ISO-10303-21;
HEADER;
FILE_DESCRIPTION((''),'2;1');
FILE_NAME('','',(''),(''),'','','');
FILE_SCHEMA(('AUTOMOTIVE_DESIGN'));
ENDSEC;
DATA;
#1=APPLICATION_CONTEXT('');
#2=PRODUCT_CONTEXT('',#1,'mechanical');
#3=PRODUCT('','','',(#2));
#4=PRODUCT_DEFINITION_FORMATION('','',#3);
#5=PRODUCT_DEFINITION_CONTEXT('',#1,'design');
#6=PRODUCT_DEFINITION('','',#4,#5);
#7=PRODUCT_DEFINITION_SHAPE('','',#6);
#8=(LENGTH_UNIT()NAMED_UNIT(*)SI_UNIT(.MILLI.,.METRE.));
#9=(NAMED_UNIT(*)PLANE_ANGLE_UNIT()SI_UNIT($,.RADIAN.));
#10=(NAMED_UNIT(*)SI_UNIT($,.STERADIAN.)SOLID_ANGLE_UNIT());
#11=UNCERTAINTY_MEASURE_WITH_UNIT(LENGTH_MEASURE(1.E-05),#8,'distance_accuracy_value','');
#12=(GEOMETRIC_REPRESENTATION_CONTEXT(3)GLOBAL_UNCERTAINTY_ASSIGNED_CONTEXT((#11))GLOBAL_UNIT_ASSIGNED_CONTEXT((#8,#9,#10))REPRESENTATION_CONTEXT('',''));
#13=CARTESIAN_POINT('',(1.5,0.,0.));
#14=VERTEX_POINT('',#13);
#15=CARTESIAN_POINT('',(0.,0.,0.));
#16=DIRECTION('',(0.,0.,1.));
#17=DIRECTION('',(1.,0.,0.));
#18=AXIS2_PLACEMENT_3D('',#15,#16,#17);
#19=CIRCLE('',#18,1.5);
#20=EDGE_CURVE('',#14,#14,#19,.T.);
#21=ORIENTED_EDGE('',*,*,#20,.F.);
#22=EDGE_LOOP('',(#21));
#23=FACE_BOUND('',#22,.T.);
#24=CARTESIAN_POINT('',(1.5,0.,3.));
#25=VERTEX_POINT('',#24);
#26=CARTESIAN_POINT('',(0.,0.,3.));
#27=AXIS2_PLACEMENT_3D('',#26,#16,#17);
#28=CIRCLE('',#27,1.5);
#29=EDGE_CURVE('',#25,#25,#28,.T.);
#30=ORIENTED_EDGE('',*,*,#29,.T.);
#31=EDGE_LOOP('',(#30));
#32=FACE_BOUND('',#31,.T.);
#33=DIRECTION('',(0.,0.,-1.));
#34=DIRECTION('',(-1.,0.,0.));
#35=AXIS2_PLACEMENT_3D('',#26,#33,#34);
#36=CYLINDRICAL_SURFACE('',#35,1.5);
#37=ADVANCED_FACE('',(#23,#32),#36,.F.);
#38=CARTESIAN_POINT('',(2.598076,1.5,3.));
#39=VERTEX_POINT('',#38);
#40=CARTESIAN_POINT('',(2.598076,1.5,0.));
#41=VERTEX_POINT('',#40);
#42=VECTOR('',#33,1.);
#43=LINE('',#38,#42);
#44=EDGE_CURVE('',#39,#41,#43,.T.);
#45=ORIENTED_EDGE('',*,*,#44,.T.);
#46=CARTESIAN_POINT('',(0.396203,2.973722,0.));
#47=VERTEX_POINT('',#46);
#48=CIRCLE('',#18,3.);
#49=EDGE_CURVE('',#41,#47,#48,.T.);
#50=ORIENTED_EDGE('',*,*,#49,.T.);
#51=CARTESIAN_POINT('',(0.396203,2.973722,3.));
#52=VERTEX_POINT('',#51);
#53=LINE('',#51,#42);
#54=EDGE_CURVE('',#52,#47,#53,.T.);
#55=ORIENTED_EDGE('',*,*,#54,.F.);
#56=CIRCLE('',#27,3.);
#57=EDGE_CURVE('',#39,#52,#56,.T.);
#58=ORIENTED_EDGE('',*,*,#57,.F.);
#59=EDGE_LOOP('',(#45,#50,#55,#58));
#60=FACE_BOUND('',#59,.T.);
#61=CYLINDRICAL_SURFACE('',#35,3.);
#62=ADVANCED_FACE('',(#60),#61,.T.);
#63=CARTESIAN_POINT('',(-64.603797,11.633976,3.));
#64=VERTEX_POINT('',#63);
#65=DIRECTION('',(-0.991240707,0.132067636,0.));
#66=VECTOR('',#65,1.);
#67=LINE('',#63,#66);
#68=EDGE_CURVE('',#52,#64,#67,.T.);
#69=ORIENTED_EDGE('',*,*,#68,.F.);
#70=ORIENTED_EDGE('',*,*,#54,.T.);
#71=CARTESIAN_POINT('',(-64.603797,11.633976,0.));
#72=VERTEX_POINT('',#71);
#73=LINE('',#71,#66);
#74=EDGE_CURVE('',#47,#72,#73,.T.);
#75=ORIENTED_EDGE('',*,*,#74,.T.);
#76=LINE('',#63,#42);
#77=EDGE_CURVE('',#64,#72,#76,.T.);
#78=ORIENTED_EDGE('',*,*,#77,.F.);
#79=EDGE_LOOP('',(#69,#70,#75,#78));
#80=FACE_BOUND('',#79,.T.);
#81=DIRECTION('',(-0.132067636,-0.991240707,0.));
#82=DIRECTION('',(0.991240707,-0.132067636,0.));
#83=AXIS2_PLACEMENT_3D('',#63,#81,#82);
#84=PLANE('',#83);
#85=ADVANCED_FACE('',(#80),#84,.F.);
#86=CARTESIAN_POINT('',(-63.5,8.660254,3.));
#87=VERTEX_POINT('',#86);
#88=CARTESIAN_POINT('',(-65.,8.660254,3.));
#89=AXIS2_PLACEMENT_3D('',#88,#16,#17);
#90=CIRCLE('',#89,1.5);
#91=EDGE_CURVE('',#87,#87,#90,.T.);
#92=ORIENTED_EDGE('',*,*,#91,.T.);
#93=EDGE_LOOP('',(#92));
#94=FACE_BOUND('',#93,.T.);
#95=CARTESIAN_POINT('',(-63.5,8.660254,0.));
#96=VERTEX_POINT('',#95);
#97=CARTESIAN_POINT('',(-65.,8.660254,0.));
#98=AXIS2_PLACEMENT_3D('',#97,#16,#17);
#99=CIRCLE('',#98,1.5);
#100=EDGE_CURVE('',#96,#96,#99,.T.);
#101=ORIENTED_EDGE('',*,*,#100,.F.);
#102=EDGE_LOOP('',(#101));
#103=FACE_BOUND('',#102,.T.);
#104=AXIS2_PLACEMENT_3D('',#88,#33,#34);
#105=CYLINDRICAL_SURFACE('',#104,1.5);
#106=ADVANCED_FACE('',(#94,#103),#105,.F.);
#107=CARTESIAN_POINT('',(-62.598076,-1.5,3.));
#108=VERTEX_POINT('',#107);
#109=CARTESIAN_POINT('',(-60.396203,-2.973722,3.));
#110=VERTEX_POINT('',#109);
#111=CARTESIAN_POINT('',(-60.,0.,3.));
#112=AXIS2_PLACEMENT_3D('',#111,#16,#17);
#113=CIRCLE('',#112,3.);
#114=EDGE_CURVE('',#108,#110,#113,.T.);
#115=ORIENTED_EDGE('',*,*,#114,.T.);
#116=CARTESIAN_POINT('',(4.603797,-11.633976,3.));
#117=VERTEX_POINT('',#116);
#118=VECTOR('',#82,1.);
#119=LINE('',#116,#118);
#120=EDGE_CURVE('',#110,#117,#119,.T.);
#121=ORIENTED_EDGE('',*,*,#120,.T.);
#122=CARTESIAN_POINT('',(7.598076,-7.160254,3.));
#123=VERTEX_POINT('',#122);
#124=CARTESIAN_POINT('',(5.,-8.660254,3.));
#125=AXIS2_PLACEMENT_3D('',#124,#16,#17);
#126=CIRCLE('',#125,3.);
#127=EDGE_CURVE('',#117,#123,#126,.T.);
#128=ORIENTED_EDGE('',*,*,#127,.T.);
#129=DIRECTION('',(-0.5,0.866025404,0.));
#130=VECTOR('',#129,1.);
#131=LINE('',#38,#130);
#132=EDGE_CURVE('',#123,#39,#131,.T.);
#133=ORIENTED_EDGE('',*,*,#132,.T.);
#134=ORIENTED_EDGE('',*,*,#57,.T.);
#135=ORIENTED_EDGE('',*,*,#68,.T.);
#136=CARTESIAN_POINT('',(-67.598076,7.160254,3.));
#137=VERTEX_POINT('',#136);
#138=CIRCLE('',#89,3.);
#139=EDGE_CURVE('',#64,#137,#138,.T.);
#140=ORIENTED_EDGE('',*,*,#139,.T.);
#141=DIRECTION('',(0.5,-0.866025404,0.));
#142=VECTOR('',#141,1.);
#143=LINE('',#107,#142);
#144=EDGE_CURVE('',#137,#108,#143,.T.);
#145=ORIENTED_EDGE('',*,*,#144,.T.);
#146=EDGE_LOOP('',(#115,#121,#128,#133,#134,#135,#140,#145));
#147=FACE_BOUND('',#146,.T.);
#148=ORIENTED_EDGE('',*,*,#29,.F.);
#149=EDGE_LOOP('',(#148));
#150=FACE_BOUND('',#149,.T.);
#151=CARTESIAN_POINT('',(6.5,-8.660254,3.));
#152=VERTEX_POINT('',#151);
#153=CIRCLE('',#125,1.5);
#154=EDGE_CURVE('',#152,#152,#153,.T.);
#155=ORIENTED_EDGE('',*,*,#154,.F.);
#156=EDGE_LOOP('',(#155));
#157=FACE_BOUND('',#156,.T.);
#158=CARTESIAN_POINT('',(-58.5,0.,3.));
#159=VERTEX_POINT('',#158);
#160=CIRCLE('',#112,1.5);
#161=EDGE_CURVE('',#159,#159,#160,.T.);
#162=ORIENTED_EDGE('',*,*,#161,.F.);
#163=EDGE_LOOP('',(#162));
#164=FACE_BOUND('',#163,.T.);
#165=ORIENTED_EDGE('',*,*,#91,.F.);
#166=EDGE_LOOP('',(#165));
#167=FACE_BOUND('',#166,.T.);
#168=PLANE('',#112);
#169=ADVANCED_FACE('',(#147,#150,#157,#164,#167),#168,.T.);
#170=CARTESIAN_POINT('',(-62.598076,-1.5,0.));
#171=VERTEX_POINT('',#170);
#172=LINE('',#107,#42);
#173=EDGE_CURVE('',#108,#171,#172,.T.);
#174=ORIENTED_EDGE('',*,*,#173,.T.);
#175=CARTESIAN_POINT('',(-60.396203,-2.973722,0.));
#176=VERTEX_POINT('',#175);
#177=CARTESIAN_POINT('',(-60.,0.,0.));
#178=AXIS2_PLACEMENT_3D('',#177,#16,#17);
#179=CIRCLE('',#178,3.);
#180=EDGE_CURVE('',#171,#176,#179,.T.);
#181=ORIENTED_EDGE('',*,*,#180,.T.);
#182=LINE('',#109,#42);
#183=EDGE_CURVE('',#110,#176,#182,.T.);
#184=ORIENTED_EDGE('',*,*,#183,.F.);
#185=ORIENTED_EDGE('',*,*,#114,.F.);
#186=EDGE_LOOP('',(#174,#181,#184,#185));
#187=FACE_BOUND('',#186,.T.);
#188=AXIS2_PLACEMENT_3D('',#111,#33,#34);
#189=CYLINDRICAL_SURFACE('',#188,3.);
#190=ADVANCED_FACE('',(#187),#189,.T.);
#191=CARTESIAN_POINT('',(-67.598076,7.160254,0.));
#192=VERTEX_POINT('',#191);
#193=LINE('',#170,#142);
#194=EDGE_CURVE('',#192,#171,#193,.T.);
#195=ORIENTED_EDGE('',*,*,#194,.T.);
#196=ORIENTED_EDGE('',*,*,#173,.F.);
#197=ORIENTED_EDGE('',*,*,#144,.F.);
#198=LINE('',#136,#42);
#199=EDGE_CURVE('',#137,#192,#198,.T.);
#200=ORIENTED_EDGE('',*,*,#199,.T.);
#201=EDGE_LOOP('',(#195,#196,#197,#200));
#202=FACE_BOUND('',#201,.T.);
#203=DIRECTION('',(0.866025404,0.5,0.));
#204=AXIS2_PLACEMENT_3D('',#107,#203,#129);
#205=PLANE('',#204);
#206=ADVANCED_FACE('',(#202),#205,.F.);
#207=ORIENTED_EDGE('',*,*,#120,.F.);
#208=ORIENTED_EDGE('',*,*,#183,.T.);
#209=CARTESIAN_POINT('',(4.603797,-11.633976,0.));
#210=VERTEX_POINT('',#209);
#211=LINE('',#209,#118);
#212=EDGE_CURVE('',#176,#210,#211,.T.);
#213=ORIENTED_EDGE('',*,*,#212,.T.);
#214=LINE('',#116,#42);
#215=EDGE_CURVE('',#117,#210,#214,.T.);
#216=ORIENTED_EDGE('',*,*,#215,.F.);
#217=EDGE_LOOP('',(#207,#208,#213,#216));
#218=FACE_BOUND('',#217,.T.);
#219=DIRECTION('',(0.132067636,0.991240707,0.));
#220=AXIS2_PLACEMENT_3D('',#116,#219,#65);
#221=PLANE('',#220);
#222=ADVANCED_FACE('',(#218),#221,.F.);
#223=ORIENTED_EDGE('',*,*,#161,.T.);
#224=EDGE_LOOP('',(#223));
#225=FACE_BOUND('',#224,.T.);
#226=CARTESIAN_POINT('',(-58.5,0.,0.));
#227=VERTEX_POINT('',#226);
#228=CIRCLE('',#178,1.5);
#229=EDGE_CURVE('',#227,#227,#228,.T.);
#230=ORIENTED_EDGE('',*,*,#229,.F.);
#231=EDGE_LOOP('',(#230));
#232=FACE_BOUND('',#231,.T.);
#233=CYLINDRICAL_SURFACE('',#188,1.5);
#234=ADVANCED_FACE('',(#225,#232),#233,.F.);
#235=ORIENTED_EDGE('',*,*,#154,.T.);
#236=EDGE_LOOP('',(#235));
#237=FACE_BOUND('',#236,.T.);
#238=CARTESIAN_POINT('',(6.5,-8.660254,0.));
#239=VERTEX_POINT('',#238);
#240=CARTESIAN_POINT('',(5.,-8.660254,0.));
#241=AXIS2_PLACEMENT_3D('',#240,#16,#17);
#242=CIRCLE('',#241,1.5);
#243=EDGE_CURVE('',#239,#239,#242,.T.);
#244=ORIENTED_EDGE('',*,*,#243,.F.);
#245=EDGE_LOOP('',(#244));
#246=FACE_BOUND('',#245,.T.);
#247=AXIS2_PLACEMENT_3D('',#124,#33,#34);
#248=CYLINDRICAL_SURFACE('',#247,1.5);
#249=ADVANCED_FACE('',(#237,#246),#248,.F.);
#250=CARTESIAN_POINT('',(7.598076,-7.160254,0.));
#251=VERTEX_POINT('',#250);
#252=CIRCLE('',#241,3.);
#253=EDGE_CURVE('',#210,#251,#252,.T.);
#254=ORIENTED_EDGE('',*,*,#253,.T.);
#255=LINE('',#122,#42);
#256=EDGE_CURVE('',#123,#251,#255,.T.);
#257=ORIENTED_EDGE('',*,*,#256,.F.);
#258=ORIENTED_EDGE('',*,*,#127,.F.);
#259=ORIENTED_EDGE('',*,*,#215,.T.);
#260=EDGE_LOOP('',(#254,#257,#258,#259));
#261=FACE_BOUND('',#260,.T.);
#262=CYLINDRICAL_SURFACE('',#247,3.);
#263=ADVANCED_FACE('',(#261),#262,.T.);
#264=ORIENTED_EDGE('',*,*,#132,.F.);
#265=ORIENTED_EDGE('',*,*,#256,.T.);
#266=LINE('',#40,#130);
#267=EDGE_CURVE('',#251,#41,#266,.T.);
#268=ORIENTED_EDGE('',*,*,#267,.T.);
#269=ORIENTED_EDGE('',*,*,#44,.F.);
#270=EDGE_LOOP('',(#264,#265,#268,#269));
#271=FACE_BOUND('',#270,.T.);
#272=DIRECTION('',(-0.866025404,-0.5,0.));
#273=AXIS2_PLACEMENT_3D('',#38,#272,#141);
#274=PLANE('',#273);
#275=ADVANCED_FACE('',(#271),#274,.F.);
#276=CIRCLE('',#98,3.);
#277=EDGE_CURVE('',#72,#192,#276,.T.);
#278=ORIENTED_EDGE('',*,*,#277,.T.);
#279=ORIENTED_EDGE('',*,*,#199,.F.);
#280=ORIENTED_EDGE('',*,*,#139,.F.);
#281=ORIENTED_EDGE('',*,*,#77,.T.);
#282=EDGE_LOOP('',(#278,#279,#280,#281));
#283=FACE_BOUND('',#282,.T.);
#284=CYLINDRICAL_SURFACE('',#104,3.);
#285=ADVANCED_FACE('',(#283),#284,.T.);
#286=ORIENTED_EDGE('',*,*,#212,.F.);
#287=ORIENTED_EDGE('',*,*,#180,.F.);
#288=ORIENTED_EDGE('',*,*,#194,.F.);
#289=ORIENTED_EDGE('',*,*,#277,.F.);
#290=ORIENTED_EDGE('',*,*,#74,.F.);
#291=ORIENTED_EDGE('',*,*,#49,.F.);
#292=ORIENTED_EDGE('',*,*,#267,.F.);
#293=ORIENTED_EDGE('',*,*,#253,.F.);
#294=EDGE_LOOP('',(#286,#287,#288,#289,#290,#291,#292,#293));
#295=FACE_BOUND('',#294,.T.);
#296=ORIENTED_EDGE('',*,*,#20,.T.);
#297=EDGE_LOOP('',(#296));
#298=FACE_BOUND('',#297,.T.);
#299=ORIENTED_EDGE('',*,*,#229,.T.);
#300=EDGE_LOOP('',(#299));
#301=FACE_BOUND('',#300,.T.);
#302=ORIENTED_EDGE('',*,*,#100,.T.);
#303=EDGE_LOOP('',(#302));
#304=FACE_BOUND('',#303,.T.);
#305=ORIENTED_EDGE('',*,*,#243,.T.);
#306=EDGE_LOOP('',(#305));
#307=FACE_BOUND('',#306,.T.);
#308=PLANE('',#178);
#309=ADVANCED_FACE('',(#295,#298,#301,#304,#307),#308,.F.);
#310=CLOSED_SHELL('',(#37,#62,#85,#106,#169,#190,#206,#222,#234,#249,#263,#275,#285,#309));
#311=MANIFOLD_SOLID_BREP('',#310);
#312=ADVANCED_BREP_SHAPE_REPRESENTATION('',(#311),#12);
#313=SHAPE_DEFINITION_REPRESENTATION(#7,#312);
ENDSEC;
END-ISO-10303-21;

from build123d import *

# Parameters (mm, degrees)
SKETCH2_R           = 1.5
BOSS_EXTRUDE1_DEPTH = 3


with BuildPart() as part:
    # Sketch2 → Boss-Extrude1 (new body)
    with BuildSketch(Plane.XY):
        with BuildLine():
            Line((-64.603797092, 11.633976159), (0.396202908, 2.973722121))
            ThreePointArc((0.396202908, 2.973722121), (1.668649479, 2.493112295), (2.598076211, 1.5))
            Line((2.598076211, 1.5), (7.598076211, -7.160254038))
            ThreePointArc((7.598076211, -7.160254038), (7.493112295, -10.328903517), (4.603797092, -11.633976159))
            Line((4.603797092, -11.633976159), (-60.396202908, -2.973722121))
            ThreePointArc((-60.396202908, -2.973722121), (-61.668649479, -2.493112295), (-62.598076211, -1.5))
            Line((-62.598076211, -1.5), (-67.598076211, 7.160254038))
            ThreePointArc((-67.598076211, 7.160254038), (-67.493112295, 10.328903517), (-64.603797092, 11.633976159))
        make_face()
        with Locations((-60, 0)):
            Circle(SKETCH2_R, mode=Mode.SUBTRACT)
        with Locations((-65, 8.660254038)):
            Circle(SKETCH2_R, mode=Mode.SUBTRACT)
        Circle(SKETCH2_R, mode=Mode.SUBTRACT)
        with Locations((5, -8.660254038)):
            Circle(SKETCH2_R, mode=Mode.SUBTRACT)
    extrude(amount=BOSS_EXTRUDE1_DEPTH)


solid = part.part
